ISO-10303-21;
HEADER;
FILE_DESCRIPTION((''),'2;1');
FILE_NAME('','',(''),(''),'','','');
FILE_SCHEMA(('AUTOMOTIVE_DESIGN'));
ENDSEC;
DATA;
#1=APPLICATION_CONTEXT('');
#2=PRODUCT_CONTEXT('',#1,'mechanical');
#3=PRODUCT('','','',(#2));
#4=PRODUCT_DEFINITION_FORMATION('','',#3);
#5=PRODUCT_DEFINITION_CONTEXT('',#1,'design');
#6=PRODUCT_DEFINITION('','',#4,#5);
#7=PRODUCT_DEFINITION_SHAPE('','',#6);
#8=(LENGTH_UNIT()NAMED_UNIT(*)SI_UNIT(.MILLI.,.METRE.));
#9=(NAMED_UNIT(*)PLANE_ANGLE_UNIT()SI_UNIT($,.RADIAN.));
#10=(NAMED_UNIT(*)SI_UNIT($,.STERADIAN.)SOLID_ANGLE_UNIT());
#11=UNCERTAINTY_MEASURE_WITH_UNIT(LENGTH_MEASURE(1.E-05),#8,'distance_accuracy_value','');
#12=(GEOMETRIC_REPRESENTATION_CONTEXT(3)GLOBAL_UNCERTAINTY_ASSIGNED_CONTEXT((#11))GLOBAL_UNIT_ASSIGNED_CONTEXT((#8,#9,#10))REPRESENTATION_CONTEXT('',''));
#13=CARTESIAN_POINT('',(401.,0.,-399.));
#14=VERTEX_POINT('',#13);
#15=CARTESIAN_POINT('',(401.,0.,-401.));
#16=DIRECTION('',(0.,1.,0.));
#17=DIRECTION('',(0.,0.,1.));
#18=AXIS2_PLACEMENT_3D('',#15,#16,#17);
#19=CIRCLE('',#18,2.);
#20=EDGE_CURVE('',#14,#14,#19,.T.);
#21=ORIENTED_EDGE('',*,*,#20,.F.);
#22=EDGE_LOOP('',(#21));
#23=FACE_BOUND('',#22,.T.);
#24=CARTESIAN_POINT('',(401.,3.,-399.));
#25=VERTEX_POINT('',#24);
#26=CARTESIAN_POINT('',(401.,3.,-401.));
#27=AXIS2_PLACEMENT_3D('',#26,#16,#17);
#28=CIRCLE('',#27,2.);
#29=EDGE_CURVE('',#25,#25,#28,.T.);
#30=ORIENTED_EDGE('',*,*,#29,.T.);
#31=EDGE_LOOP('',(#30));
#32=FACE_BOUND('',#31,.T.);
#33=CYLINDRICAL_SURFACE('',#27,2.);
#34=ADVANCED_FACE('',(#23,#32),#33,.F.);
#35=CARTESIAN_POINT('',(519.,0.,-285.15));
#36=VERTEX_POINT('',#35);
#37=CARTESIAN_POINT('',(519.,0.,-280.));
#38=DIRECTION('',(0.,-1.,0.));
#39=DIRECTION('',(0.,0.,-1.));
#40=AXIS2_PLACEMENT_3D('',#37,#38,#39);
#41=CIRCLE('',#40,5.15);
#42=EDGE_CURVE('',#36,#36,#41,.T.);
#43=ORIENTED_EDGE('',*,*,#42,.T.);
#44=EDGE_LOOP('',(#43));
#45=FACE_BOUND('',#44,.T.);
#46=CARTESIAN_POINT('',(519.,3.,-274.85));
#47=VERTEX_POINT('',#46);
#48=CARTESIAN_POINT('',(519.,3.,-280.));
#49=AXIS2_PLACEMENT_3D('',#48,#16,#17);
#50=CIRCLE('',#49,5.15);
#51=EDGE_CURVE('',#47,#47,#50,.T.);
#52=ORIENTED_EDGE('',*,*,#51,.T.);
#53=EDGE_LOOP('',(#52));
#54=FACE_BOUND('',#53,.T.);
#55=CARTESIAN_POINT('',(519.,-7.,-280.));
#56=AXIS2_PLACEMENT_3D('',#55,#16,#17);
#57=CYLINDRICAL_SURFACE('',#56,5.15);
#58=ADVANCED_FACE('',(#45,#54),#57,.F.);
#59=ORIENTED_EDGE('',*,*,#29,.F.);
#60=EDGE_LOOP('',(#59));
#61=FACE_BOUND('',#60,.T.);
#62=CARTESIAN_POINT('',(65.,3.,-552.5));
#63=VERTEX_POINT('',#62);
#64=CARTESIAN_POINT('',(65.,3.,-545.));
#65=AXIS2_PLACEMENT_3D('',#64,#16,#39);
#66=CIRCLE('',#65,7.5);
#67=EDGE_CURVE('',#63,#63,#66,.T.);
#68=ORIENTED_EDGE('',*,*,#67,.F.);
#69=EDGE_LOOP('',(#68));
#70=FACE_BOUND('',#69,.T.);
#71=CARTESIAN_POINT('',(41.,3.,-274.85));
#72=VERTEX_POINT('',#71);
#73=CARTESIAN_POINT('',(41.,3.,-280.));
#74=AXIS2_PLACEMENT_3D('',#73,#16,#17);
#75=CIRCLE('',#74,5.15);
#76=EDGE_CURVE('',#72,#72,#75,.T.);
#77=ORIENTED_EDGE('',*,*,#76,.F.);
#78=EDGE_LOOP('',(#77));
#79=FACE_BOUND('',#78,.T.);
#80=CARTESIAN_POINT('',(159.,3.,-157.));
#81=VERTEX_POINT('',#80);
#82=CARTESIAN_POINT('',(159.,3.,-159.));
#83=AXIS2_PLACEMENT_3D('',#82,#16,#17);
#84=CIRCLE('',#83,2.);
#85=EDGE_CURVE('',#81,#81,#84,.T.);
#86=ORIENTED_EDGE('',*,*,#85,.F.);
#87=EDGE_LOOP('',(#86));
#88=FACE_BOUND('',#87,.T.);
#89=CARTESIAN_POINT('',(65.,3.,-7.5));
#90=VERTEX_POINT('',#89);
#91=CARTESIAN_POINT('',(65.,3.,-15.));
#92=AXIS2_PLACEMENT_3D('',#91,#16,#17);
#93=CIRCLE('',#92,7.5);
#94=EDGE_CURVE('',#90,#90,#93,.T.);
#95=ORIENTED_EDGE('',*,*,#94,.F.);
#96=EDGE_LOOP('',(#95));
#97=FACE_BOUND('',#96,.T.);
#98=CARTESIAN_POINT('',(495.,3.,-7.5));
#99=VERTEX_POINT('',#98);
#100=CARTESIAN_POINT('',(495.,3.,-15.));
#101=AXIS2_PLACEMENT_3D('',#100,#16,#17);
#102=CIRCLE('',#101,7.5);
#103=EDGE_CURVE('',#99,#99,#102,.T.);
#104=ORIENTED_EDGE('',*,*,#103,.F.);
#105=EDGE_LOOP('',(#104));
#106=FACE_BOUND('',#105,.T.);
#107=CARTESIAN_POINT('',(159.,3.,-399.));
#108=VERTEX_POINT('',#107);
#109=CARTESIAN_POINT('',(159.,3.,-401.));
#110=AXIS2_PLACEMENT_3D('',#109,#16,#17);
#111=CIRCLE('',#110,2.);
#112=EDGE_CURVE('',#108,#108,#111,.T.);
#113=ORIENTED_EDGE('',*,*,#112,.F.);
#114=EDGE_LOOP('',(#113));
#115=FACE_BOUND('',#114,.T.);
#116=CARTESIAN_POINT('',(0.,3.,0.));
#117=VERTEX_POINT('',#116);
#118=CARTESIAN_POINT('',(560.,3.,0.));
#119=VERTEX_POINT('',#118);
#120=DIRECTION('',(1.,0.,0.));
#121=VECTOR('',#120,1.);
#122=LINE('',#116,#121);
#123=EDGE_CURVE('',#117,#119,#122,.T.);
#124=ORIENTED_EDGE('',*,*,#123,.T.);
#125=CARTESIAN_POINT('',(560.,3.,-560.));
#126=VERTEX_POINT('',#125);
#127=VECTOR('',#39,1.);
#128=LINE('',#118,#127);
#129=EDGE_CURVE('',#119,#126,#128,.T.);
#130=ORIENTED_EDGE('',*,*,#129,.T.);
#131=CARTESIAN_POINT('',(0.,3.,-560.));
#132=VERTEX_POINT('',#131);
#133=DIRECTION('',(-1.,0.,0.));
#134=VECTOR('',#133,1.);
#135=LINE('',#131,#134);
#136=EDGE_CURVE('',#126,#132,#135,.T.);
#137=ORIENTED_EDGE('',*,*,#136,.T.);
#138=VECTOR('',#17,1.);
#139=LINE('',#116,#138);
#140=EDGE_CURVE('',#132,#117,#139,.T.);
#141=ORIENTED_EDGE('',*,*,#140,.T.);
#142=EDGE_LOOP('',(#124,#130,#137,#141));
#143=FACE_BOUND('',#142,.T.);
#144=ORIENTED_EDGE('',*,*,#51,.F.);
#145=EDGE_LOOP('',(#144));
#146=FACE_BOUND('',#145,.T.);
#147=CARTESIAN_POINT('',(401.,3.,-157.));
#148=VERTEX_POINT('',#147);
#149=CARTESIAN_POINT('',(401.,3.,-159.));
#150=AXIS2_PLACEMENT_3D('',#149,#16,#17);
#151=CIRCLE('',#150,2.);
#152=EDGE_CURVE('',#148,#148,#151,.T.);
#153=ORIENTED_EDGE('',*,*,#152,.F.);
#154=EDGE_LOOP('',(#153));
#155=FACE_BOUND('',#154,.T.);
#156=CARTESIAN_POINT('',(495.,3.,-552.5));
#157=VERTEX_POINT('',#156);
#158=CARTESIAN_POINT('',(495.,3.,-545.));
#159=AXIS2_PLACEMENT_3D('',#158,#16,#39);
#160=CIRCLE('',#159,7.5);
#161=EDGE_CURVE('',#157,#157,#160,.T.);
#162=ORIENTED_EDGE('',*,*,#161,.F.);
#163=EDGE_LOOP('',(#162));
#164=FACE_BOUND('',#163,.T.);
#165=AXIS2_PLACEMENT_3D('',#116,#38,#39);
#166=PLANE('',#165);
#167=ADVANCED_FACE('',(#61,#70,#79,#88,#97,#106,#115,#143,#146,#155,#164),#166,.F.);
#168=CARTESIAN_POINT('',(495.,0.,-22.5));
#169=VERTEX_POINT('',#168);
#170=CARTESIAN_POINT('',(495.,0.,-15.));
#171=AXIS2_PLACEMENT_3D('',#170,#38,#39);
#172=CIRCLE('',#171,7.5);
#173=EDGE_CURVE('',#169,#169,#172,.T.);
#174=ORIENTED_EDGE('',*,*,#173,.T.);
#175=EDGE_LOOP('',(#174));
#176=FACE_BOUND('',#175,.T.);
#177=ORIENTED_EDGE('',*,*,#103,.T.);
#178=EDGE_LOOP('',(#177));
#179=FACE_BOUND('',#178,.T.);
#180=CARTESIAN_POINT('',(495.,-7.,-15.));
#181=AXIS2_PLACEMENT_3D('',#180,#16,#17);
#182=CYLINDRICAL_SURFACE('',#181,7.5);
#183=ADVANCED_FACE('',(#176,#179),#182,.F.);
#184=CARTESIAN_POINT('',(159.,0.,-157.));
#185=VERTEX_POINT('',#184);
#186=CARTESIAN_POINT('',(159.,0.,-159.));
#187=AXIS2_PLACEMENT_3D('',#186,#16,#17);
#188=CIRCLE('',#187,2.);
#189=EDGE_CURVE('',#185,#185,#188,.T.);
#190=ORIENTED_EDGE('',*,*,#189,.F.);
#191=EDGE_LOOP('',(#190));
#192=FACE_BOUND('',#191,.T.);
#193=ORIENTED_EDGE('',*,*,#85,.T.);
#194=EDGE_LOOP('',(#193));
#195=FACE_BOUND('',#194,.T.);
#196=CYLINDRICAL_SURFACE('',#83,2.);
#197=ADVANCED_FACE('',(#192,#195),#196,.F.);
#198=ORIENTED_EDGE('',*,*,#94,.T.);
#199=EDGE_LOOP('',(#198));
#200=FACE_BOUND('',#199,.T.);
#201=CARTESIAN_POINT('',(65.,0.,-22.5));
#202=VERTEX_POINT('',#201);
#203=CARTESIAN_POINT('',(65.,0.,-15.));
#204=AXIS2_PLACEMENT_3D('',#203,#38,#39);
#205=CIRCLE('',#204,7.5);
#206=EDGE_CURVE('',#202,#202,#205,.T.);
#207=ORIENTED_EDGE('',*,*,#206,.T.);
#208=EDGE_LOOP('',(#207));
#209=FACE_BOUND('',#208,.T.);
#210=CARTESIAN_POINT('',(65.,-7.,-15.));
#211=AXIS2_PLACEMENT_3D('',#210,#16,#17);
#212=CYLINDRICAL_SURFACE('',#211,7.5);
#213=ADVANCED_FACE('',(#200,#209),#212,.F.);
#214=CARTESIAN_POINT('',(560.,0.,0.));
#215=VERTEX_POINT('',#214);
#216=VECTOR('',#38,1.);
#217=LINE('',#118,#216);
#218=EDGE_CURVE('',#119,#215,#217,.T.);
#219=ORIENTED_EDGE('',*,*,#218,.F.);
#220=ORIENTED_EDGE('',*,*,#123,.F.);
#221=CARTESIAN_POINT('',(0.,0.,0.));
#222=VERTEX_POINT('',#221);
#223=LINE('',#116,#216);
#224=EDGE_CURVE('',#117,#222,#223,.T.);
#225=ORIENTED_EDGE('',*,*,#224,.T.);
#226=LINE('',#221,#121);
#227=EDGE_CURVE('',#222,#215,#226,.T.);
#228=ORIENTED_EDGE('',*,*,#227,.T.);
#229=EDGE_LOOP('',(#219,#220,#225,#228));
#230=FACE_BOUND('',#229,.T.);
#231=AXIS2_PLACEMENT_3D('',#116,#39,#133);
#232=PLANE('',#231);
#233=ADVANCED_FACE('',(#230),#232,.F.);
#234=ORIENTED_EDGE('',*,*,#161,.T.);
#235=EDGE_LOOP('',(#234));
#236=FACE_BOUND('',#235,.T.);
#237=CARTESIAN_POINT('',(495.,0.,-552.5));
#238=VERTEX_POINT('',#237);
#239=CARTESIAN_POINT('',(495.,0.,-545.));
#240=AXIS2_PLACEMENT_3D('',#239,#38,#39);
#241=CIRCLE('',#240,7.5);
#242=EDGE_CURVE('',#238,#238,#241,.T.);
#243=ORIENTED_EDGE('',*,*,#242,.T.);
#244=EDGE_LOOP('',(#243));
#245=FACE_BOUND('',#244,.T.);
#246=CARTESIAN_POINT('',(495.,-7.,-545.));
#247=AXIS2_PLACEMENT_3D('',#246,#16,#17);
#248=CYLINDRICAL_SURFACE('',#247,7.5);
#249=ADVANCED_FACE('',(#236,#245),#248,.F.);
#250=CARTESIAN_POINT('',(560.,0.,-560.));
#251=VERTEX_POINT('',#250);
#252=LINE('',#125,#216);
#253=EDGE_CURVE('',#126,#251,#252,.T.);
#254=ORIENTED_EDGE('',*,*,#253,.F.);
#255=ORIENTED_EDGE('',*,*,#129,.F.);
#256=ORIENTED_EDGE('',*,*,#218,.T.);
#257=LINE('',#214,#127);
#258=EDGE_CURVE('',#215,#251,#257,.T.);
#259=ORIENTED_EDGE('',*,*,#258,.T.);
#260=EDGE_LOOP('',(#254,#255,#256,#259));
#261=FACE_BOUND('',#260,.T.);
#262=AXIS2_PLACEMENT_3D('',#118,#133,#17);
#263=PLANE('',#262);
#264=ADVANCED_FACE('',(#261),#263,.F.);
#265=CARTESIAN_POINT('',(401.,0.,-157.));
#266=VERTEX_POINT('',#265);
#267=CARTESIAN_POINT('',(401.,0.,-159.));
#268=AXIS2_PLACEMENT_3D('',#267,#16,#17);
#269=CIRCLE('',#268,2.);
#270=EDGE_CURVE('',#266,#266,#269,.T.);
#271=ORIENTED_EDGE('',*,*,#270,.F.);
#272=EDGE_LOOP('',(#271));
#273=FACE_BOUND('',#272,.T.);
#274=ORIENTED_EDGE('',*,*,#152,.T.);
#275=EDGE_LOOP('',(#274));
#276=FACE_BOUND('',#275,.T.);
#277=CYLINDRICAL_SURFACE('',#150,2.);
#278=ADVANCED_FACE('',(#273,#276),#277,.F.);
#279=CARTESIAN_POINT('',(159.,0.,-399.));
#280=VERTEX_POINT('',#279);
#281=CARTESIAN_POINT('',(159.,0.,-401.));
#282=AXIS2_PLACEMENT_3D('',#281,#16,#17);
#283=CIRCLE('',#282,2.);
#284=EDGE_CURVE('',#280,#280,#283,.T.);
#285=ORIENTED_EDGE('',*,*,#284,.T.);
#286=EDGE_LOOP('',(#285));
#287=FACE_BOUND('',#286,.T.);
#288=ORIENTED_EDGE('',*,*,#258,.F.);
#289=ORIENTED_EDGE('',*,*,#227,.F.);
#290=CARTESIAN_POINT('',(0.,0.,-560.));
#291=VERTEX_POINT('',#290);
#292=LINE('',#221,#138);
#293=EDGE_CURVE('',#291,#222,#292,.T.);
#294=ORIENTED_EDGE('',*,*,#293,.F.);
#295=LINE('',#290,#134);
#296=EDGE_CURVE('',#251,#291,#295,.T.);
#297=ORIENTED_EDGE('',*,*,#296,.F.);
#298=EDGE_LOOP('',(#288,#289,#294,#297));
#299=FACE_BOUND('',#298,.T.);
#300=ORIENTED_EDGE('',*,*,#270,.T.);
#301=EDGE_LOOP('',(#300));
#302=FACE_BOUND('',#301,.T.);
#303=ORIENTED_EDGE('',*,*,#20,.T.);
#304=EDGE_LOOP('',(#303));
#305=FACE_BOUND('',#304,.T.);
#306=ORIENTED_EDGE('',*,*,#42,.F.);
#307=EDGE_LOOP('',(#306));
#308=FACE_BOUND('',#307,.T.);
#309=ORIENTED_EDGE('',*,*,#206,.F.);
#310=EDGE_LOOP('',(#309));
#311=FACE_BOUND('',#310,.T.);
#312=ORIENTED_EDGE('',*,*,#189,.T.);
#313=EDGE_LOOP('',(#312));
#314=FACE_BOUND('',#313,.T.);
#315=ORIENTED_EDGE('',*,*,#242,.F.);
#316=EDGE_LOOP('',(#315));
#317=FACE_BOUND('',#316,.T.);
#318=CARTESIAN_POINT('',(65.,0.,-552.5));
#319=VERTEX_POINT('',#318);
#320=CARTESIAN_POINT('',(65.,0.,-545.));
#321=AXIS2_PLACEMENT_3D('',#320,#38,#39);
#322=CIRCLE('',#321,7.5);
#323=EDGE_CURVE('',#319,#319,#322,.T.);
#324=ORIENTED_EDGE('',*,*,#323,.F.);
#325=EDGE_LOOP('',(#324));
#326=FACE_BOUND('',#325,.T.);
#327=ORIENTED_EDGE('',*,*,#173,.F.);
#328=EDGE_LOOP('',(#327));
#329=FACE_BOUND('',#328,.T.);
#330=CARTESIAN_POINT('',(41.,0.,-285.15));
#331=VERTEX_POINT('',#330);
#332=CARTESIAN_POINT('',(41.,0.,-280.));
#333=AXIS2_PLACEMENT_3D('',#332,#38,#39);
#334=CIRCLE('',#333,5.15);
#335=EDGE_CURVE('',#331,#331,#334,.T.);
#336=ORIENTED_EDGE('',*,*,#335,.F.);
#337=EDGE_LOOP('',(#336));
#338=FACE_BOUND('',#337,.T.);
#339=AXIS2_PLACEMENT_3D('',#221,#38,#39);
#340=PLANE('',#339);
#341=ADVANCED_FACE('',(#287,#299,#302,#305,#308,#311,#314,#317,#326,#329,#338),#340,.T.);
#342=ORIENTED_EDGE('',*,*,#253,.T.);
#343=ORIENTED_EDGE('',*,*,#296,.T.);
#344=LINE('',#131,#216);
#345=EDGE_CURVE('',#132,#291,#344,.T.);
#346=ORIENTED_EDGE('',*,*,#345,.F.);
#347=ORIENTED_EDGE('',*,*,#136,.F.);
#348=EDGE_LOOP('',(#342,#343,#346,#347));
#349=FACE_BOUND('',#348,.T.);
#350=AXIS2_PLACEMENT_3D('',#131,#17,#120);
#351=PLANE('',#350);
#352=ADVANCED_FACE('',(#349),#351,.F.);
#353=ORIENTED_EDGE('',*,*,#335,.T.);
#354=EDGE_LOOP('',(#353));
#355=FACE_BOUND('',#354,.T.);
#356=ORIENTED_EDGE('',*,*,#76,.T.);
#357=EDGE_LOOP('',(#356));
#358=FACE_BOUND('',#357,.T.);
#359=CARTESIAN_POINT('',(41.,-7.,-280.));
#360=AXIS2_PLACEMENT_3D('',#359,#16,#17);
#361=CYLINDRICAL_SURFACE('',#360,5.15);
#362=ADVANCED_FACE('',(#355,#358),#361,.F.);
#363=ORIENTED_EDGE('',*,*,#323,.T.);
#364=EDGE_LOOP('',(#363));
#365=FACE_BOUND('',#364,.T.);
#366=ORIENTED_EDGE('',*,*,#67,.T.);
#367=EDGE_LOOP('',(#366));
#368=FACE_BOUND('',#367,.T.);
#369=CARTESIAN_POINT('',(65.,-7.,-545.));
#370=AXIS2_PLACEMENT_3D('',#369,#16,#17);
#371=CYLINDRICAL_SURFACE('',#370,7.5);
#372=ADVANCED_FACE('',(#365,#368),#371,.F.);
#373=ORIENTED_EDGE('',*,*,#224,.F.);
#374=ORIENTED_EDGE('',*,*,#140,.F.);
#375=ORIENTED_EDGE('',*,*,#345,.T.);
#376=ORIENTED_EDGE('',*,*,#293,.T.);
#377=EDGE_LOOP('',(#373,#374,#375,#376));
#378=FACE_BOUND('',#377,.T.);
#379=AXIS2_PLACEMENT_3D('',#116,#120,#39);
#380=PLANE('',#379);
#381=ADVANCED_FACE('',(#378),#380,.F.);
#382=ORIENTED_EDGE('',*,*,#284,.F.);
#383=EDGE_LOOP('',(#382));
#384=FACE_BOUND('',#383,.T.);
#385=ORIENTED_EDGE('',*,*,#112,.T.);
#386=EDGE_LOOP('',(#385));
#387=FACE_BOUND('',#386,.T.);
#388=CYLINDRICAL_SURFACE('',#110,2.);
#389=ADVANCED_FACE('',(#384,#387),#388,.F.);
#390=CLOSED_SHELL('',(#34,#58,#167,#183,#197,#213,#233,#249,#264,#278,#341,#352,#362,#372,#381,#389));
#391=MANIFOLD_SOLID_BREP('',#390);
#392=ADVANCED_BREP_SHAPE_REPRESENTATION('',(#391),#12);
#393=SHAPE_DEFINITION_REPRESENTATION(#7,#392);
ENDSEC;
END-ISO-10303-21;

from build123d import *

# Parameters (mm, degrees)
SKETCH1_W             = 560
SKETCH1_H             = 560
BOSS_EXTRUDE1_DEPTH   = 3
F_4_0MM_DOWEL_HOLE1_D = 4
SKETCH5_R             = 5.15
CUT_EXTRUDE1_DEPTH    = 10
SKETCH6_R             = 7.5
CUT_EXTRUDE2_DEPTH    = 10


with BuildPart() as part:
    # Sketch1 → Boss-Extrude1 (new body)
    with BuildSketch(Plane(origin=(0, 0, 0), x_dir=(1, 0, 0), z_dir=(0, 1, 0))):
        with Locations((280, 280)):
            Rectangle(SKETCH1_W, SKETCH1_H)
    extrude(amount=BOSS_EXTRUDE1_DEPTH)

    # Ø4.0mm Dowel Hole1 (through all)
    with Locations(Plane(origin=(0, 3, 0), x_dir=(1, 0, 0), z_dir=(0, 1, 0))):
        with Locations((159, 159), (401, 159), (401, 401), (159, 401)):
            Hole(F_4_0MM_DOWEL_HOLE1_D / 2)

    # Sketch5 → Cut-Extrude1 (cut)
    with BuildSketch(Plane(origin=(0, 3, 0), x_dir=(1, 0, 0), z_dir=(0, 1, 0))):
        with Locations(Location((41, 280, 0), (0, 0, 270))):
            Circle(SKETCH5_R)
        with Locations(Location((519, 280, 0), (0, 0, 270))):
            Circle(SKETCH5_R)
    extrude(amount=-CUT_EXTRUDE1_DEPTH, mode=Mode.SUBTRACT)

    # Sketch6 → Cut-Extrude2 (cut)
    with BuildSketch(Plane(origin=(0, 3, 0), x_dir=(1, 0, 0), z_dir=(0, 1, 0))):
        with Locations(Location((495, 15, 0), (0, 0, 270))):
            Circle(SKETCH6_R)
        with Locations(Location((65, 15, 0), (0, 0, 270))):
            Circle(SKETCH6_R)
        with Locations(Location((495, 545, 0), (0, 0, 90))):
            Circle(SKETCH6_R)
        with Locations(Location((65, 545, 0), (0, 0, 90))):
            Circle(SKETCH6_R)
    extrude(amount=-CUT_EXTRUDE2_DEPTH, mode=Mode.SUBTRACT)


solid = part.part
